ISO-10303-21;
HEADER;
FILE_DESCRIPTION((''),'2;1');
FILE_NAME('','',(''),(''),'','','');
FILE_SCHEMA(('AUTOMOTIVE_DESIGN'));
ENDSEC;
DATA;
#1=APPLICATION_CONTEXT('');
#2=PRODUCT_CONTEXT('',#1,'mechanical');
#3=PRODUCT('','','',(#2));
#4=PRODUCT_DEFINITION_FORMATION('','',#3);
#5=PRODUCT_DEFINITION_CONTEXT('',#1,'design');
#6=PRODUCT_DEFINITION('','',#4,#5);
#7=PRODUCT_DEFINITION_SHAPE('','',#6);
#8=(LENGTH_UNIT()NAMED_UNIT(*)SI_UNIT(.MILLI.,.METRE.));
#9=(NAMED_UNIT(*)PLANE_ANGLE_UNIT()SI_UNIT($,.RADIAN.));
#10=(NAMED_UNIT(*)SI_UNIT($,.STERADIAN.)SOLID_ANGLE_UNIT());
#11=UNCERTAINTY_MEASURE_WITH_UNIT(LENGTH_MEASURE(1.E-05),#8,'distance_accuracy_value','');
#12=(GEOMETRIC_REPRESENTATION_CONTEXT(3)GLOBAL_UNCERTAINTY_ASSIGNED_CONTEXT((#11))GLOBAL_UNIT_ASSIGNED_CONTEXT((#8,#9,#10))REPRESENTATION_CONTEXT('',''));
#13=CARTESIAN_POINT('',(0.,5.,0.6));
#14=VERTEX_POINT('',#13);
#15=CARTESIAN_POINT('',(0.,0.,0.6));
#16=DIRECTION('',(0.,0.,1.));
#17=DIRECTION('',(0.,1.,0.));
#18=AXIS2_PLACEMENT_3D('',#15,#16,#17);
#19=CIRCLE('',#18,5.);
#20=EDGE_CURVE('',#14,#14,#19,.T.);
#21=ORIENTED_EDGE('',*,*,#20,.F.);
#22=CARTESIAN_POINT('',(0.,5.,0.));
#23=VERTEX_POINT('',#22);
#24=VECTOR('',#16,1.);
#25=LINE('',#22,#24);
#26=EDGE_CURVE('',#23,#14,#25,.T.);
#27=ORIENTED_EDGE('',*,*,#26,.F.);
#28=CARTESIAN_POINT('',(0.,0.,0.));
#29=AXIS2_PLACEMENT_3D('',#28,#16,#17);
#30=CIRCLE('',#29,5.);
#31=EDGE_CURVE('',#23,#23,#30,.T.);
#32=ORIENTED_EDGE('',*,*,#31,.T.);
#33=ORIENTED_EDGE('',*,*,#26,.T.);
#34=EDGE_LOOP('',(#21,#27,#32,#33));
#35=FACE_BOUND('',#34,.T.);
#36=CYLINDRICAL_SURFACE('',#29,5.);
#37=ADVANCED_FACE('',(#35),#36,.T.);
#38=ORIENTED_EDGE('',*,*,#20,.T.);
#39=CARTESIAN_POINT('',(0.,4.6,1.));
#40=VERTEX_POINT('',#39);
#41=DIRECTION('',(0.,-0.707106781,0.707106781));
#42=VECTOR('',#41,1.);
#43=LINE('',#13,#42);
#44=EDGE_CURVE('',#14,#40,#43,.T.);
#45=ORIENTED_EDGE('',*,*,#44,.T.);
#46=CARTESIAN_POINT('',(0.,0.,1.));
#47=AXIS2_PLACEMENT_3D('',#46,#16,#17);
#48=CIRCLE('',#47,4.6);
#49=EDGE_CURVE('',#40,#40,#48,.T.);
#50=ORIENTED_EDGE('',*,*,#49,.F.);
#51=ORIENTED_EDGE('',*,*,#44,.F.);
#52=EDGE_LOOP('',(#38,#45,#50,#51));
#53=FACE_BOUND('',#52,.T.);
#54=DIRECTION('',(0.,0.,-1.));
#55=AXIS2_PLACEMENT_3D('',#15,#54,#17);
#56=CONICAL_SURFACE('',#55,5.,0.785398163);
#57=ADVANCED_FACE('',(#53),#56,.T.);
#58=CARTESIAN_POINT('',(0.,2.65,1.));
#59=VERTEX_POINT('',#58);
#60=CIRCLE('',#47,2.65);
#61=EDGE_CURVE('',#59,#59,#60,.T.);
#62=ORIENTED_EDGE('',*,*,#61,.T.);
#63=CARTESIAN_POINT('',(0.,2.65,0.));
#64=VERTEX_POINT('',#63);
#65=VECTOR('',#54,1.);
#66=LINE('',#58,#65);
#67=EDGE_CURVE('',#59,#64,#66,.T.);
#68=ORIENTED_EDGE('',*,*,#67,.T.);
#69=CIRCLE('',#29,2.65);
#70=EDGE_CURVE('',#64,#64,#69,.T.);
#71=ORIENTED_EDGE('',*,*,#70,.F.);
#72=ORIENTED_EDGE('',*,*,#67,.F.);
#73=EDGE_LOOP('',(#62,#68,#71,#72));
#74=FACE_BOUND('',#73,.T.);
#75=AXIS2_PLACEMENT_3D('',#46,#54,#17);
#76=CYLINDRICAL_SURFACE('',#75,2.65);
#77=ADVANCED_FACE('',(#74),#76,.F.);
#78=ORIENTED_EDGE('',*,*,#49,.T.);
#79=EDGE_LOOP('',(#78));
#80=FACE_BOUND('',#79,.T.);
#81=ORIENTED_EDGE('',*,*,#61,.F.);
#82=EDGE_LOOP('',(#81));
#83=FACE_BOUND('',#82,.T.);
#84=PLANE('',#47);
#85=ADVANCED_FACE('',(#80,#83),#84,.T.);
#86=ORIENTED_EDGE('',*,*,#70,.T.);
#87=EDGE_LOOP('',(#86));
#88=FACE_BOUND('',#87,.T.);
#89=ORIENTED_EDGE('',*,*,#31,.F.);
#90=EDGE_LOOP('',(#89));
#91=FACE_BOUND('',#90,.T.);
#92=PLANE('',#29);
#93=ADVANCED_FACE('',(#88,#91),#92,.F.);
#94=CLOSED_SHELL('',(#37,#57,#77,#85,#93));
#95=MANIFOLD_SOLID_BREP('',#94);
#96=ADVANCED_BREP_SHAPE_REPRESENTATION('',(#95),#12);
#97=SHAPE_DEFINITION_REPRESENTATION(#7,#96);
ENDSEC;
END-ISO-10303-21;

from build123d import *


with BuildPart() as part:
    # Sketch → Revolution (revolve)
    with BuildSketch(Plane.YZ):
        Polygon((2.65, 0), (5, 0), (5, 0.6), (4.6, 1), (2.65, 1), align=None)
    revolve(axis=Axis((0, 0, 0), (0, 0, 1)))


solid = part.part
